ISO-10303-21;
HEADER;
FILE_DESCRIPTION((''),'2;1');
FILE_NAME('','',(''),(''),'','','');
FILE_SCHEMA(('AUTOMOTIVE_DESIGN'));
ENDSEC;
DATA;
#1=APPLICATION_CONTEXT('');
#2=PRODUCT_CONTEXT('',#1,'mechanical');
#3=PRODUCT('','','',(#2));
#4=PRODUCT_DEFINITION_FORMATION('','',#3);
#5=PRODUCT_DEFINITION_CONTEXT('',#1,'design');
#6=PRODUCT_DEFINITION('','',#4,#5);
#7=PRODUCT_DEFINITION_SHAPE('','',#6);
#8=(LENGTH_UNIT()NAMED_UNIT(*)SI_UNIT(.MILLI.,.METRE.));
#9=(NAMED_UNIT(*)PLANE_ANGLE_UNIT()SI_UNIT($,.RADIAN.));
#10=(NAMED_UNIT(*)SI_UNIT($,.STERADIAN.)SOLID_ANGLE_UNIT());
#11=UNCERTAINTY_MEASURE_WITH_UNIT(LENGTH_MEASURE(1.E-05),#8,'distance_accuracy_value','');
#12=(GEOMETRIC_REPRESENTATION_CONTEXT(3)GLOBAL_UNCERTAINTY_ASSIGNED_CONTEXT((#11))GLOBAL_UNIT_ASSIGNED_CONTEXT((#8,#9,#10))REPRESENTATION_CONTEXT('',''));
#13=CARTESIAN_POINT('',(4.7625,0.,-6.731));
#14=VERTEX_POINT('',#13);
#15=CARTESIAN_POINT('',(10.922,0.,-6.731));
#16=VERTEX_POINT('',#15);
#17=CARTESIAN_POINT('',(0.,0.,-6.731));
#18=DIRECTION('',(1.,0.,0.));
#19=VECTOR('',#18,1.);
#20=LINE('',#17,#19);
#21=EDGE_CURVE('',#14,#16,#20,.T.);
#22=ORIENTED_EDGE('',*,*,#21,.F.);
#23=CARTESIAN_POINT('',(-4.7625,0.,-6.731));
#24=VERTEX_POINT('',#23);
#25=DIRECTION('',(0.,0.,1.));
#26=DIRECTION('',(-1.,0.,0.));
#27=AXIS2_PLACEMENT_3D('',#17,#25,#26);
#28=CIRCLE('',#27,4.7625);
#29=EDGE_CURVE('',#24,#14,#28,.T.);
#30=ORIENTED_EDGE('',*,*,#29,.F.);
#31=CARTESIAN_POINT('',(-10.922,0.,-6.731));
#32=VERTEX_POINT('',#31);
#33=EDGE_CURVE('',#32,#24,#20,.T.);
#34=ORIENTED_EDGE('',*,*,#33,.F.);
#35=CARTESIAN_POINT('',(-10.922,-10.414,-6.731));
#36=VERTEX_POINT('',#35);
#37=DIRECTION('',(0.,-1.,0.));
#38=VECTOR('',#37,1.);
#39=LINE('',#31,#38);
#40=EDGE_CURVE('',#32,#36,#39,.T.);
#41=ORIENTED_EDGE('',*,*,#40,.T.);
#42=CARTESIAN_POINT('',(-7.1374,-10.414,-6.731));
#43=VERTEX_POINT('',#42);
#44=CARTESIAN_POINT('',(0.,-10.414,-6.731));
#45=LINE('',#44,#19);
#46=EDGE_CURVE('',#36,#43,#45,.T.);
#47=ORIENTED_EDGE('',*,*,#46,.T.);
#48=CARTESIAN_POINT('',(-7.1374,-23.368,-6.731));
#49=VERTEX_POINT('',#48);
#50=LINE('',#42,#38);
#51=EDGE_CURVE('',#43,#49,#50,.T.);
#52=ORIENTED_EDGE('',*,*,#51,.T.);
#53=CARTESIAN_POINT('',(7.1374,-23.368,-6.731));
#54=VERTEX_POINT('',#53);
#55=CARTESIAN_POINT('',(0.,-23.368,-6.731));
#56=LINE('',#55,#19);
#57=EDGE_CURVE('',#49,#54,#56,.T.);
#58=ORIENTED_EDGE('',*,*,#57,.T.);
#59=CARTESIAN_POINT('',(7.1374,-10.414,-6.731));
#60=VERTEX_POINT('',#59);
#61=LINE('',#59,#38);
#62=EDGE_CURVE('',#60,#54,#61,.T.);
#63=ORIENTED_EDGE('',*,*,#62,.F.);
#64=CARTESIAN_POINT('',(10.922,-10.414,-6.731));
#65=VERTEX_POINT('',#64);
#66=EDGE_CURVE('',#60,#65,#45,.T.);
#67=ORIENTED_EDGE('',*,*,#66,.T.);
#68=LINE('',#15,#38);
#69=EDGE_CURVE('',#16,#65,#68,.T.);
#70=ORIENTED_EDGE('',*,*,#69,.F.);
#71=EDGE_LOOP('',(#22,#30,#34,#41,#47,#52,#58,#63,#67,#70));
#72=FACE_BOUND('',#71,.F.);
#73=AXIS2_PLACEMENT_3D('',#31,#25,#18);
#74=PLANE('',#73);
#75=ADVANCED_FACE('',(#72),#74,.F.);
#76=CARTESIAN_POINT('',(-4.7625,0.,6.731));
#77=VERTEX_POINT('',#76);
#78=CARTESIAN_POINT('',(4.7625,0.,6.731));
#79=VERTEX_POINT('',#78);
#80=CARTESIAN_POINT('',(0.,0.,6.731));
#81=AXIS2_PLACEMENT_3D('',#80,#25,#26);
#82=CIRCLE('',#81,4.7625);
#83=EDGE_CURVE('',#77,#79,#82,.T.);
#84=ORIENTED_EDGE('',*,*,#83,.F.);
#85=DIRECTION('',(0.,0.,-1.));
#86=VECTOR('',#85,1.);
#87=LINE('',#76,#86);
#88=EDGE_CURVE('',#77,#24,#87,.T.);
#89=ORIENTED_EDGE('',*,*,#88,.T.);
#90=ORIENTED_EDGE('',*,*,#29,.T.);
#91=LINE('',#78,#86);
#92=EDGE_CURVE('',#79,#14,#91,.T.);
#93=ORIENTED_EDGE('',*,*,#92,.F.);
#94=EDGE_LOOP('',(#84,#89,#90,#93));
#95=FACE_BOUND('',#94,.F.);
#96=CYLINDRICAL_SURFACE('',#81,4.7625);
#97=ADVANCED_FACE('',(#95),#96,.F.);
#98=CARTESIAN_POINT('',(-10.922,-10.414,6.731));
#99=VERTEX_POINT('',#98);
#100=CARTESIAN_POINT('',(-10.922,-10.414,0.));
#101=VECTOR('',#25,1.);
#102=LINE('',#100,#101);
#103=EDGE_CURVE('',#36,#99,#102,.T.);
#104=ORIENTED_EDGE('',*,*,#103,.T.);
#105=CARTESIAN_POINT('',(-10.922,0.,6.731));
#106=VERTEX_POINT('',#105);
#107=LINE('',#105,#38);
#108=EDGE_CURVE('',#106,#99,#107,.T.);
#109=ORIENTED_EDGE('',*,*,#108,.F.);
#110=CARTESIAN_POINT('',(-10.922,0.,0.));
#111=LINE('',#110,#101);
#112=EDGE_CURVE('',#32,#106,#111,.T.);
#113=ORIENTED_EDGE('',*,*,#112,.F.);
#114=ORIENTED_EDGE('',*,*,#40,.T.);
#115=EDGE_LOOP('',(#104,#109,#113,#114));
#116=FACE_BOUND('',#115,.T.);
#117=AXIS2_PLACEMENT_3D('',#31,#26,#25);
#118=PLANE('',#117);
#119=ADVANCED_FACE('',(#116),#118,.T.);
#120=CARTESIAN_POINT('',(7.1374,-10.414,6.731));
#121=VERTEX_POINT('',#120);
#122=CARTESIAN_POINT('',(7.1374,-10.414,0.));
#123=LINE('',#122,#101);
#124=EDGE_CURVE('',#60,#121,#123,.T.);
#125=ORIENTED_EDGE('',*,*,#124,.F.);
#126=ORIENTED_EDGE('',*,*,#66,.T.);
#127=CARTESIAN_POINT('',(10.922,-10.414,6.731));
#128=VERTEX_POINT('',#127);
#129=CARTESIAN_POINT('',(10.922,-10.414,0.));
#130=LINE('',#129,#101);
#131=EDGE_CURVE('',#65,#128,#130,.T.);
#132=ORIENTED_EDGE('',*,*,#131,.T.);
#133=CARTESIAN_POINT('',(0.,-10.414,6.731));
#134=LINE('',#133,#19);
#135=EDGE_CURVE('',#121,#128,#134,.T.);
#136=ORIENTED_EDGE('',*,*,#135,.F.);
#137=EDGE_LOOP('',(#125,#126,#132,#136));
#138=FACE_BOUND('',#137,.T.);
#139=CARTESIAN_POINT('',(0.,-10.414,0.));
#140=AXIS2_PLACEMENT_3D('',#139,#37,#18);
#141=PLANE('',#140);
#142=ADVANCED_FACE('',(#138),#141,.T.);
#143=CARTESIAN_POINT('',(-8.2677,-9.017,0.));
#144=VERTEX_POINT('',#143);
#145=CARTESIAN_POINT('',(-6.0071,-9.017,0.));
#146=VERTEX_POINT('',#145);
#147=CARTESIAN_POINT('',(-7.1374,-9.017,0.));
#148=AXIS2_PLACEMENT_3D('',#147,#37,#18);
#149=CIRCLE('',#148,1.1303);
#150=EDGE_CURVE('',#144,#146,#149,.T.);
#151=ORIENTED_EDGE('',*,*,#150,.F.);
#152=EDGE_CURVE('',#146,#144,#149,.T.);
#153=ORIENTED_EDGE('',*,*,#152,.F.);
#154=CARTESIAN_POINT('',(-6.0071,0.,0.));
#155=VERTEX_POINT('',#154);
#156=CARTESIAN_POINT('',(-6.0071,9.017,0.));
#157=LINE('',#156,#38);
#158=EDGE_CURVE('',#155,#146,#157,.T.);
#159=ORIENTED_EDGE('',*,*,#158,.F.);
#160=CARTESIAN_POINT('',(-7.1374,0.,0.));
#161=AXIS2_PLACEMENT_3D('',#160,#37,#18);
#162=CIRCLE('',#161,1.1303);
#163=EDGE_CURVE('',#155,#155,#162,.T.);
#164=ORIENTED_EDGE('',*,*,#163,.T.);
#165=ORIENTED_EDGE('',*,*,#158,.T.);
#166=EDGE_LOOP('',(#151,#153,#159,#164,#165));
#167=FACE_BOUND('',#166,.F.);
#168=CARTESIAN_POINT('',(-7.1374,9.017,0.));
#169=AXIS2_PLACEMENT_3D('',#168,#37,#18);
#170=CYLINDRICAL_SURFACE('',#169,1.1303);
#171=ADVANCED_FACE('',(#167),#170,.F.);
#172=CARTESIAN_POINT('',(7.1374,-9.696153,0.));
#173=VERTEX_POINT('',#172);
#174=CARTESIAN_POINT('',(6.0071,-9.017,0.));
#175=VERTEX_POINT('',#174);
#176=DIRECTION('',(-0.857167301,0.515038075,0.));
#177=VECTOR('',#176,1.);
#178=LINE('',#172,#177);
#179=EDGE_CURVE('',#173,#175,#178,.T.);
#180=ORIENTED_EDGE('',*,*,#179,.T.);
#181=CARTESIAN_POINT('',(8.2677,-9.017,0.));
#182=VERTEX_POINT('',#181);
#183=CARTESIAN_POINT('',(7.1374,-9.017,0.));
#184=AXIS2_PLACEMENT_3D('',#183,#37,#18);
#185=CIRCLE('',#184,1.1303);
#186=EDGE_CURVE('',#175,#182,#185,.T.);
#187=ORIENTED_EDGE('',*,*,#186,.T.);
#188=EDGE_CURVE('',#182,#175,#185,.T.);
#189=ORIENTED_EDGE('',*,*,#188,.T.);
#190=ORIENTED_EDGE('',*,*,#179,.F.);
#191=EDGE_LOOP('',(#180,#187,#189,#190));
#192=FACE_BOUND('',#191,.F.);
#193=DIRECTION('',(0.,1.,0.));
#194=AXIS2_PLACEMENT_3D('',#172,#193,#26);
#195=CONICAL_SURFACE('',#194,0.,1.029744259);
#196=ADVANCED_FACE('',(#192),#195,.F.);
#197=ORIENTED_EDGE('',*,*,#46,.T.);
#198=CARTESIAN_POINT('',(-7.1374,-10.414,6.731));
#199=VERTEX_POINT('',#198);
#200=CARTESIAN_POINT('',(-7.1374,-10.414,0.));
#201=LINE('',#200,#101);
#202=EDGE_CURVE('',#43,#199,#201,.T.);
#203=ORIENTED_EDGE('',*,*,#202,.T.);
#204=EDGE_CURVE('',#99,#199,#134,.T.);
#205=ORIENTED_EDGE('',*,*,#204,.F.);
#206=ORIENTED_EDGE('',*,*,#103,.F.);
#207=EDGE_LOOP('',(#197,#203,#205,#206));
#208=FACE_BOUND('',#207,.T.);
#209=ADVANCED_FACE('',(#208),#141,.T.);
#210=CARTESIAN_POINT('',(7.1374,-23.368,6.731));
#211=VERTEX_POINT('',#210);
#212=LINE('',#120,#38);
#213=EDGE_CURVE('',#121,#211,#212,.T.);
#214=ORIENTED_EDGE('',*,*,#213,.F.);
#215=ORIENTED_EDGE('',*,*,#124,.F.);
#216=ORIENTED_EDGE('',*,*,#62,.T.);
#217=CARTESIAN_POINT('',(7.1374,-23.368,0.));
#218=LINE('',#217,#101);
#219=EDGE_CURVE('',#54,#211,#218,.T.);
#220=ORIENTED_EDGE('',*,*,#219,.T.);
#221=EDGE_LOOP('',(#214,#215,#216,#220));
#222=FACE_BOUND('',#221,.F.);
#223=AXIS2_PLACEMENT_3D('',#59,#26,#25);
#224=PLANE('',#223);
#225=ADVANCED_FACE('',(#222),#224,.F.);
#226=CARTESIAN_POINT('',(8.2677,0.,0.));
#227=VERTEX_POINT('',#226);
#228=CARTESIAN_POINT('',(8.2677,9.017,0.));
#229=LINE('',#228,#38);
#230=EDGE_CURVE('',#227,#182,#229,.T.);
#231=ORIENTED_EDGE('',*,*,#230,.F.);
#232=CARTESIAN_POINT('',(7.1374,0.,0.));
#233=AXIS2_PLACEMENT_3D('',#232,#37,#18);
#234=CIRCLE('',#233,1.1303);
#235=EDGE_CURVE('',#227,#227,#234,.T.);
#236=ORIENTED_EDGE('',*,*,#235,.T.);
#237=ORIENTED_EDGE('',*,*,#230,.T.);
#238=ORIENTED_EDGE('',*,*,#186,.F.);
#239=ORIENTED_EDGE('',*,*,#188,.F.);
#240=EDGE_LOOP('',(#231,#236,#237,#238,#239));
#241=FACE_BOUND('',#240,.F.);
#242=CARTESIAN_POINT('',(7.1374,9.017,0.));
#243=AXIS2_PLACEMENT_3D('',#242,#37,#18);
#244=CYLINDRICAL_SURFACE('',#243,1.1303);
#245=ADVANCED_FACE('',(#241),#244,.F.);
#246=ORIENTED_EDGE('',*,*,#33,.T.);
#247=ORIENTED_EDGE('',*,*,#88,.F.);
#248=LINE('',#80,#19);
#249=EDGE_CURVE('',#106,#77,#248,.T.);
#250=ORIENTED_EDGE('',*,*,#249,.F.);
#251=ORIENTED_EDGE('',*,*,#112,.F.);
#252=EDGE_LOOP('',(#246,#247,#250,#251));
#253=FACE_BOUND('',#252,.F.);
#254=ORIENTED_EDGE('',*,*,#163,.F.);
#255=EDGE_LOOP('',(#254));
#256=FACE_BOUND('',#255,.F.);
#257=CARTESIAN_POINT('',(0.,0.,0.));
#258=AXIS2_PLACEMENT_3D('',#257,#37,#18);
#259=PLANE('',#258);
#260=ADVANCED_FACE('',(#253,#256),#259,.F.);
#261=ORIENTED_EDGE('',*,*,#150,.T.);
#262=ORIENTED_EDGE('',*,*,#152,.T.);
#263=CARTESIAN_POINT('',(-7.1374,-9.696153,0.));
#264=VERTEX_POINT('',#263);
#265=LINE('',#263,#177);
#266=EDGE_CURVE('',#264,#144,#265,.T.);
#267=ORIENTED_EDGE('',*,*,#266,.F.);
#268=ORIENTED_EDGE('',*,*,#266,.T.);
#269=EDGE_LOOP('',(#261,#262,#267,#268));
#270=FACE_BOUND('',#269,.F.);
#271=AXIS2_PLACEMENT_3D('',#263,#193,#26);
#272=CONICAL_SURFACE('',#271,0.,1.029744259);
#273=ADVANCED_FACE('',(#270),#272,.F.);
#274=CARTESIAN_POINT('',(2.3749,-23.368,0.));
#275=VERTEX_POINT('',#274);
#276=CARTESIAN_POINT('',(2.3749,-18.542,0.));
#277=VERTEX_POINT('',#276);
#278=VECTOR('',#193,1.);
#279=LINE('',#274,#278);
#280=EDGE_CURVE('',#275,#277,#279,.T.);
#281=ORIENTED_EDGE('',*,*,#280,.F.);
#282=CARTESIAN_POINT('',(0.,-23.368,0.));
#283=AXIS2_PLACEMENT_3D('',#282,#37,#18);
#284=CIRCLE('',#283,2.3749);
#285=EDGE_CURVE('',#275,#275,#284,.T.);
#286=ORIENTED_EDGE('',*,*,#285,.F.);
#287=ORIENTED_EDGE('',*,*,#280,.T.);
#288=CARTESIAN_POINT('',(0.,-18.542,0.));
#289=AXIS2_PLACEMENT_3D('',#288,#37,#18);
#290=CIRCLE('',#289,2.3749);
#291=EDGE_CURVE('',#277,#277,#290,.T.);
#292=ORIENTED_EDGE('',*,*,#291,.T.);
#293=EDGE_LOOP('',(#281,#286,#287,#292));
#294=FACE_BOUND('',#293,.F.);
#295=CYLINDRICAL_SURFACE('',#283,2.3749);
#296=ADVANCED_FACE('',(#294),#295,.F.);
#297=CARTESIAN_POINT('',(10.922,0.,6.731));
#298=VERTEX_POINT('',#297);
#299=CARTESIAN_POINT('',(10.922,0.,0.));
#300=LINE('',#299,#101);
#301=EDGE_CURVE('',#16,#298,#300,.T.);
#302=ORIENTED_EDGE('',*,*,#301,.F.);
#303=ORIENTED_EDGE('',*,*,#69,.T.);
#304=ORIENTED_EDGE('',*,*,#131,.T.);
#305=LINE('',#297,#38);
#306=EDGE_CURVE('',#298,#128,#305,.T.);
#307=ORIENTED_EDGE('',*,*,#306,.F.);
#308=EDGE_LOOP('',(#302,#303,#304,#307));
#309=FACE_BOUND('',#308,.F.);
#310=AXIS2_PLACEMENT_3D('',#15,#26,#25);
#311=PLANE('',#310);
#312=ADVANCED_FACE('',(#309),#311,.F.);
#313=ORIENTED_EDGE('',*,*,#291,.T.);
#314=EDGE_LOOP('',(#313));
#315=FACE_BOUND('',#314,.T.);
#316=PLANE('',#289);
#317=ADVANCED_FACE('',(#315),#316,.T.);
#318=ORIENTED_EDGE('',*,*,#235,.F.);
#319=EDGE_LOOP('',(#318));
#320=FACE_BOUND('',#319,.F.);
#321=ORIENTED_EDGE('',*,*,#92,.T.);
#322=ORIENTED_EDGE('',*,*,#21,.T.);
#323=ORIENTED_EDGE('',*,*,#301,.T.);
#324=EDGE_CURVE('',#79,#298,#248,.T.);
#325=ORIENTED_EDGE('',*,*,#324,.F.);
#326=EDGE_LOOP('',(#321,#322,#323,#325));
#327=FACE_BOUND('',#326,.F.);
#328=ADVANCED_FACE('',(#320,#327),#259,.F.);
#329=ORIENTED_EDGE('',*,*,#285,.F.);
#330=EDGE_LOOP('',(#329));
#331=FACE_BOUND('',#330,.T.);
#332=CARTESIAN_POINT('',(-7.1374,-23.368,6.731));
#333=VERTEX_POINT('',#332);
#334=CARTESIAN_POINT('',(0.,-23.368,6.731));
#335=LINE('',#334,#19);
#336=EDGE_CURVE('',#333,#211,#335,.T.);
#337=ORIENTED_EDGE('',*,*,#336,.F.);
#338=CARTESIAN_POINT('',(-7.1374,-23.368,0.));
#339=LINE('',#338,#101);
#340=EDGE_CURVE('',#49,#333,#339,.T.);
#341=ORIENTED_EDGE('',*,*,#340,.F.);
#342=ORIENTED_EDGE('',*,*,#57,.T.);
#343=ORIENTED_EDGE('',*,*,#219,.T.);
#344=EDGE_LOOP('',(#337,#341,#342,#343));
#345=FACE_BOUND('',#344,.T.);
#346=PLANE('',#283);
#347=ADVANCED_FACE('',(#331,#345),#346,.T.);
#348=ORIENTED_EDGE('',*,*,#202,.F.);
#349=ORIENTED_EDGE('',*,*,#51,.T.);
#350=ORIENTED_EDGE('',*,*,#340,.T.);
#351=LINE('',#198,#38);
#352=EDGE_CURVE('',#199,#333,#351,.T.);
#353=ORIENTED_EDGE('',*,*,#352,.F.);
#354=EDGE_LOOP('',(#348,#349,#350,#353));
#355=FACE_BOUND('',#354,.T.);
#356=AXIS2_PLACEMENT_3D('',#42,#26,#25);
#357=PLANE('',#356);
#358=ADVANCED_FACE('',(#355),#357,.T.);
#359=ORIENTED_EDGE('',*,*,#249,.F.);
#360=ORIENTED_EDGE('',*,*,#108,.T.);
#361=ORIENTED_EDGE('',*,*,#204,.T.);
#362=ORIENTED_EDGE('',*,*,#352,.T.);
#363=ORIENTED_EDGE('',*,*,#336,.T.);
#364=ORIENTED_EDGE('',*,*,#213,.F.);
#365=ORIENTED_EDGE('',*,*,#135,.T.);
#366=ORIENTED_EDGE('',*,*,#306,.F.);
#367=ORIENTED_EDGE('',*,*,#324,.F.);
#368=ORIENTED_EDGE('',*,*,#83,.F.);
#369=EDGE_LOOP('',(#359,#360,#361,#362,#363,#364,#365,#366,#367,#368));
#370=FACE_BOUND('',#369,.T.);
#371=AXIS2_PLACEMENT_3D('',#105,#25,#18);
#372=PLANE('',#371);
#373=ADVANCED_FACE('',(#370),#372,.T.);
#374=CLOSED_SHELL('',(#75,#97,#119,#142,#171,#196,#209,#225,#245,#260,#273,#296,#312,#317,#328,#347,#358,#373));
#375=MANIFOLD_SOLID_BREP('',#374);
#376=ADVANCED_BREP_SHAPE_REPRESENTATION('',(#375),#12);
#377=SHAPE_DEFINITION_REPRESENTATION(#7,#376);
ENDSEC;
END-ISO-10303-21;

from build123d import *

# Parameters (mm, degrees)
F0_W     = 21.844
F0_H     = 13.462
F1_DEPTH = 10.414
F2_W     = 14.2748
F2_H     = 13.462
F3_DEPTH = 12.954
F4_R     = 2.3749
F5_DEPTH = 4.826
F7_D     = 2.2606
F7_DEPTH = 9.017
F7_TIP   = 0.6791527577
F9_DEPTH = 13.463


with BuildPart() as f1:
    # F0 (on Front) → F1 (new body)
    with BuildSketch(Plane.XZ):
        Rectangle(F0_W, F0_H)
    extrude(amount=F1_DEPTH)

    # F2 (on face) → F3 (join)
    with BuildSketch(Plane.XZ.offset(10.414)):
        Rectangle(F2_W, F2_H)
    extrude(amount=F3_DEPTH)

    # F4 (on face) → F5 (cut)
    with BuildSketch(Plane.XZ.offset(23.368)):
        Circle(F4_R)
    extrude(amount=-F5_DEPTH, mode=Mode.SUBTRACT)

    # F7
    with Locations(Plane(origin=(0, 0, 0), x_dir=(-1, 0, 0), z_dir=(0, 1, 0))):
        with Locations((7.1374, 0), (-7.1374, 0)):
            Hole(F7_D / 2, depth=F7_DEPTH)
            with Locations((0, 0, -(F7_DEPTH + F7_TIP / 2))):  # 118° drill point
                Cone(0, F7_D / 2, F7_TIP, mode=Mode.SUBTRACT)

    # F8 (on face) → F9 (cut, through all)
    with BuildSketch(Plane.XY.offset(6.731)):
        with BuildLine():
            ThreePointArc((-4.7625, 0), (0, -4.7625), (4.7625, 0))
            Line((4.7625, 0), (-4.7625, 0))
        make_face()
    extrude(amount=-F9_DEPTH, mode=Mode.SUBTRACT)


solid = f1.part
